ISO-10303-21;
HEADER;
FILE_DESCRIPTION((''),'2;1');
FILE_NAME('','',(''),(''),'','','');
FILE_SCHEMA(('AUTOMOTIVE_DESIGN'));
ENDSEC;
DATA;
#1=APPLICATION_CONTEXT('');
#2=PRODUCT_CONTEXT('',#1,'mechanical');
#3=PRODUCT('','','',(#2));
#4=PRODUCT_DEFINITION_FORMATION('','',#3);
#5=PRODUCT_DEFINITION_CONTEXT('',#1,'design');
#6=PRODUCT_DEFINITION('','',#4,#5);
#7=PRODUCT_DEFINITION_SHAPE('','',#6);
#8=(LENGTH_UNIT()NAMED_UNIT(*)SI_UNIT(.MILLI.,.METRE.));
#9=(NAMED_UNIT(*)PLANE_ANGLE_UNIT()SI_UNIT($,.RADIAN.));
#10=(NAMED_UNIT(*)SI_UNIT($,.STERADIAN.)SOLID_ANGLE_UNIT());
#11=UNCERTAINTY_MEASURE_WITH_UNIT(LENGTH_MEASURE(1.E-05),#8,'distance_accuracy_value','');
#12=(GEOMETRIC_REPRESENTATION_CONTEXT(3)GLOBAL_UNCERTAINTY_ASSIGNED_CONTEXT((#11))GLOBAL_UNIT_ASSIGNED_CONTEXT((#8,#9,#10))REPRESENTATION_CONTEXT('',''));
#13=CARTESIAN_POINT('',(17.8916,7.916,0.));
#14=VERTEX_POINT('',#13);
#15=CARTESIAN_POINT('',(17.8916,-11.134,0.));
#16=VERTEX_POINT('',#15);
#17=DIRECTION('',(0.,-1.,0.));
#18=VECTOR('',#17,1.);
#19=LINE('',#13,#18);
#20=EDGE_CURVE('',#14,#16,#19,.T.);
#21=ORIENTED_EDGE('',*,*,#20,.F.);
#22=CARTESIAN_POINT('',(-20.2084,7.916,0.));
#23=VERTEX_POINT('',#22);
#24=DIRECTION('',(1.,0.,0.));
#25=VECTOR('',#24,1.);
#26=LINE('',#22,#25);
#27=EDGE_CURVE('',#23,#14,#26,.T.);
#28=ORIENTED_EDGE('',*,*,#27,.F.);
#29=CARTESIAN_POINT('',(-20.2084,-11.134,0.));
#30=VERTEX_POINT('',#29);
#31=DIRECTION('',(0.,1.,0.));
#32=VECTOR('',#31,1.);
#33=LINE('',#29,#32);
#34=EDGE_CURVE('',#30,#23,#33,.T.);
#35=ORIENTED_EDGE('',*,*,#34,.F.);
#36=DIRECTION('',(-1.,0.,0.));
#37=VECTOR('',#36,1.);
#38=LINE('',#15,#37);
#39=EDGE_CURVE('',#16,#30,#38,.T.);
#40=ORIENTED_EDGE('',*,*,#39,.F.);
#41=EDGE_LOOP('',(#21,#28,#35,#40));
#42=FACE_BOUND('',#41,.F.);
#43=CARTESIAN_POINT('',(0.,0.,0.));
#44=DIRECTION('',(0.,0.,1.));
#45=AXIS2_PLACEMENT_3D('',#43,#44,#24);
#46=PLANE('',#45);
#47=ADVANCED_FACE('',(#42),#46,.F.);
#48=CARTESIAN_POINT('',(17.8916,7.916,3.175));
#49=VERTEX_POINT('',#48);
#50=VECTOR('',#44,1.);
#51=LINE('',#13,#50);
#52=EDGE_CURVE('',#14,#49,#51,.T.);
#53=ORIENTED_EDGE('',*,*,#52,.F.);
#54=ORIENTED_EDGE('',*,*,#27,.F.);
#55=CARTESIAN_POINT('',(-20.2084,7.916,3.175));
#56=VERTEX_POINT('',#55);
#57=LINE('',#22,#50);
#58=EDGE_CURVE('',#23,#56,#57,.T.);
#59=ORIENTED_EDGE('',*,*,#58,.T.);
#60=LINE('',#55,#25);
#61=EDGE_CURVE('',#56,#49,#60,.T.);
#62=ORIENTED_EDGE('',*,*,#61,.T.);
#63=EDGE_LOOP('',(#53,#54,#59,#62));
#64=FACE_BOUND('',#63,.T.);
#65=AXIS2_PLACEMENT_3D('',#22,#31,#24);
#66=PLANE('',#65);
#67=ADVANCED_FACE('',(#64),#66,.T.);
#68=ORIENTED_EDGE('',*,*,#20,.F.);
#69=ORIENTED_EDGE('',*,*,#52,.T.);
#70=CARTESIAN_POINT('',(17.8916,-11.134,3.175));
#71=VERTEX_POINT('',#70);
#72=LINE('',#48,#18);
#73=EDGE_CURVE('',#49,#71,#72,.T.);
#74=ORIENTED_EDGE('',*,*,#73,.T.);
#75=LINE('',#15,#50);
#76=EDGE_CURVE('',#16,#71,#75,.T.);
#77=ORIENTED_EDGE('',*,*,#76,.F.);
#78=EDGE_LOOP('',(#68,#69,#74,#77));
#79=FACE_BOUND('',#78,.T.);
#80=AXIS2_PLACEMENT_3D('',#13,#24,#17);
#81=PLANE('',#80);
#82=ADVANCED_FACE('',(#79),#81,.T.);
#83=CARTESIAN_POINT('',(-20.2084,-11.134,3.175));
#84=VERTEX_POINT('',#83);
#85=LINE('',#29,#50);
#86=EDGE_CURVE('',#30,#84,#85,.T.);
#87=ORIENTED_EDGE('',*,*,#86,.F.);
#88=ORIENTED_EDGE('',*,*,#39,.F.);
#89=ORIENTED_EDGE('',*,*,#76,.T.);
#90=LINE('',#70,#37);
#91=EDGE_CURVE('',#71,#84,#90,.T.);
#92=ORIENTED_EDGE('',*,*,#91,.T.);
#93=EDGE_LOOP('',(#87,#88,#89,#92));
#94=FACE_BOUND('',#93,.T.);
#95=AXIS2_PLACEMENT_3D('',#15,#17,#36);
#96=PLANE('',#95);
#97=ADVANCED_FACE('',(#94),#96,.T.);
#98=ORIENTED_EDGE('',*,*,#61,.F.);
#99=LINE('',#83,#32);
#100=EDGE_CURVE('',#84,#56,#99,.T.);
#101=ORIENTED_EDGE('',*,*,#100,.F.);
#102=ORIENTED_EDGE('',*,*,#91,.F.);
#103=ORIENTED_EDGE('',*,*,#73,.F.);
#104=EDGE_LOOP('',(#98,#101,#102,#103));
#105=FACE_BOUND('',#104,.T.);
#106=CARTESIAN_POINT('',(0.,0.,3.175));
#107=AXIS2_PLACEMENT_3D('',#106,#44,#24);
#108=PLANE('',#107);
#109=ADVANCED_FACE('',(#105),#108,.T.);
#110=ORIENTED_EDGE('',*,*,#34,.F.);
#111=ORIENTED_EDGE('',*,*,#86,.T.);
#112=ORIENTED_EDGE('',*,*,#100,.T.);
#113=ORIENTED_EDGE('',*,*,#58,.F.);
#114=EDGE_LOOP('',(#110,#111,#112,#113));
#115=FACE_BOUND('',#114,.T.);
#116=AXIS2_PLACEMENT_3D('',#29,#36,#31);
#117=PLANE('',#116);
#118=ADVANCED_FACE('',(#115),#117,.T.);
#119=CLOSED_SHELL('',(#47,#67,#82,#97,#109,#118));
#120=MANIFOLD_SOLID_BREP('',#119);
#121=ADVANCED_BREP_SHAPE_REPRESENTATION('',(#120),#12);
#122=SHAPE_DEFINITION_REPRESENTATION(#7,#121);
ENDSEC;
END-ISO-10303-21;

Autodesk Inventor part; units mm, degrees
ref_plane "YZ Plane" through (0, 0, 0) normal (1, 0, 0) x (0, 1, 0)
ref_plane "XZ Plane" through (0, 0, 0) normal (0, 1, 0) x (-1, 0, 0)
ref_plane "XY Plane" through (0, 0, 0) normal (0, 0, 1) x (1, 0, 0)
sketch "Sketch1" plane through (0, 0, 0) normal (0, 0, 1) x (1, 0, 0)
  line L0 (-20.2084, 7.916) -> (17.8916, 7.916)
  line L1 (17.8916, 7.916) -> (17.8916, -11.134)
  line L2 (17.8916, -11.134) -> (-20.2084, -11.134)
  line L3 (-20.2084, -11.134) -> (-20.2084, 7.916)
  point P0 (0, 0)
  dimension "d0" = 38.1
  dimension "d1" = 19.05
extrude "Extrusion1" add sketch "Sketch1" along normal blind 3.175
properties part number "CURM_Caterpillar_Head"
